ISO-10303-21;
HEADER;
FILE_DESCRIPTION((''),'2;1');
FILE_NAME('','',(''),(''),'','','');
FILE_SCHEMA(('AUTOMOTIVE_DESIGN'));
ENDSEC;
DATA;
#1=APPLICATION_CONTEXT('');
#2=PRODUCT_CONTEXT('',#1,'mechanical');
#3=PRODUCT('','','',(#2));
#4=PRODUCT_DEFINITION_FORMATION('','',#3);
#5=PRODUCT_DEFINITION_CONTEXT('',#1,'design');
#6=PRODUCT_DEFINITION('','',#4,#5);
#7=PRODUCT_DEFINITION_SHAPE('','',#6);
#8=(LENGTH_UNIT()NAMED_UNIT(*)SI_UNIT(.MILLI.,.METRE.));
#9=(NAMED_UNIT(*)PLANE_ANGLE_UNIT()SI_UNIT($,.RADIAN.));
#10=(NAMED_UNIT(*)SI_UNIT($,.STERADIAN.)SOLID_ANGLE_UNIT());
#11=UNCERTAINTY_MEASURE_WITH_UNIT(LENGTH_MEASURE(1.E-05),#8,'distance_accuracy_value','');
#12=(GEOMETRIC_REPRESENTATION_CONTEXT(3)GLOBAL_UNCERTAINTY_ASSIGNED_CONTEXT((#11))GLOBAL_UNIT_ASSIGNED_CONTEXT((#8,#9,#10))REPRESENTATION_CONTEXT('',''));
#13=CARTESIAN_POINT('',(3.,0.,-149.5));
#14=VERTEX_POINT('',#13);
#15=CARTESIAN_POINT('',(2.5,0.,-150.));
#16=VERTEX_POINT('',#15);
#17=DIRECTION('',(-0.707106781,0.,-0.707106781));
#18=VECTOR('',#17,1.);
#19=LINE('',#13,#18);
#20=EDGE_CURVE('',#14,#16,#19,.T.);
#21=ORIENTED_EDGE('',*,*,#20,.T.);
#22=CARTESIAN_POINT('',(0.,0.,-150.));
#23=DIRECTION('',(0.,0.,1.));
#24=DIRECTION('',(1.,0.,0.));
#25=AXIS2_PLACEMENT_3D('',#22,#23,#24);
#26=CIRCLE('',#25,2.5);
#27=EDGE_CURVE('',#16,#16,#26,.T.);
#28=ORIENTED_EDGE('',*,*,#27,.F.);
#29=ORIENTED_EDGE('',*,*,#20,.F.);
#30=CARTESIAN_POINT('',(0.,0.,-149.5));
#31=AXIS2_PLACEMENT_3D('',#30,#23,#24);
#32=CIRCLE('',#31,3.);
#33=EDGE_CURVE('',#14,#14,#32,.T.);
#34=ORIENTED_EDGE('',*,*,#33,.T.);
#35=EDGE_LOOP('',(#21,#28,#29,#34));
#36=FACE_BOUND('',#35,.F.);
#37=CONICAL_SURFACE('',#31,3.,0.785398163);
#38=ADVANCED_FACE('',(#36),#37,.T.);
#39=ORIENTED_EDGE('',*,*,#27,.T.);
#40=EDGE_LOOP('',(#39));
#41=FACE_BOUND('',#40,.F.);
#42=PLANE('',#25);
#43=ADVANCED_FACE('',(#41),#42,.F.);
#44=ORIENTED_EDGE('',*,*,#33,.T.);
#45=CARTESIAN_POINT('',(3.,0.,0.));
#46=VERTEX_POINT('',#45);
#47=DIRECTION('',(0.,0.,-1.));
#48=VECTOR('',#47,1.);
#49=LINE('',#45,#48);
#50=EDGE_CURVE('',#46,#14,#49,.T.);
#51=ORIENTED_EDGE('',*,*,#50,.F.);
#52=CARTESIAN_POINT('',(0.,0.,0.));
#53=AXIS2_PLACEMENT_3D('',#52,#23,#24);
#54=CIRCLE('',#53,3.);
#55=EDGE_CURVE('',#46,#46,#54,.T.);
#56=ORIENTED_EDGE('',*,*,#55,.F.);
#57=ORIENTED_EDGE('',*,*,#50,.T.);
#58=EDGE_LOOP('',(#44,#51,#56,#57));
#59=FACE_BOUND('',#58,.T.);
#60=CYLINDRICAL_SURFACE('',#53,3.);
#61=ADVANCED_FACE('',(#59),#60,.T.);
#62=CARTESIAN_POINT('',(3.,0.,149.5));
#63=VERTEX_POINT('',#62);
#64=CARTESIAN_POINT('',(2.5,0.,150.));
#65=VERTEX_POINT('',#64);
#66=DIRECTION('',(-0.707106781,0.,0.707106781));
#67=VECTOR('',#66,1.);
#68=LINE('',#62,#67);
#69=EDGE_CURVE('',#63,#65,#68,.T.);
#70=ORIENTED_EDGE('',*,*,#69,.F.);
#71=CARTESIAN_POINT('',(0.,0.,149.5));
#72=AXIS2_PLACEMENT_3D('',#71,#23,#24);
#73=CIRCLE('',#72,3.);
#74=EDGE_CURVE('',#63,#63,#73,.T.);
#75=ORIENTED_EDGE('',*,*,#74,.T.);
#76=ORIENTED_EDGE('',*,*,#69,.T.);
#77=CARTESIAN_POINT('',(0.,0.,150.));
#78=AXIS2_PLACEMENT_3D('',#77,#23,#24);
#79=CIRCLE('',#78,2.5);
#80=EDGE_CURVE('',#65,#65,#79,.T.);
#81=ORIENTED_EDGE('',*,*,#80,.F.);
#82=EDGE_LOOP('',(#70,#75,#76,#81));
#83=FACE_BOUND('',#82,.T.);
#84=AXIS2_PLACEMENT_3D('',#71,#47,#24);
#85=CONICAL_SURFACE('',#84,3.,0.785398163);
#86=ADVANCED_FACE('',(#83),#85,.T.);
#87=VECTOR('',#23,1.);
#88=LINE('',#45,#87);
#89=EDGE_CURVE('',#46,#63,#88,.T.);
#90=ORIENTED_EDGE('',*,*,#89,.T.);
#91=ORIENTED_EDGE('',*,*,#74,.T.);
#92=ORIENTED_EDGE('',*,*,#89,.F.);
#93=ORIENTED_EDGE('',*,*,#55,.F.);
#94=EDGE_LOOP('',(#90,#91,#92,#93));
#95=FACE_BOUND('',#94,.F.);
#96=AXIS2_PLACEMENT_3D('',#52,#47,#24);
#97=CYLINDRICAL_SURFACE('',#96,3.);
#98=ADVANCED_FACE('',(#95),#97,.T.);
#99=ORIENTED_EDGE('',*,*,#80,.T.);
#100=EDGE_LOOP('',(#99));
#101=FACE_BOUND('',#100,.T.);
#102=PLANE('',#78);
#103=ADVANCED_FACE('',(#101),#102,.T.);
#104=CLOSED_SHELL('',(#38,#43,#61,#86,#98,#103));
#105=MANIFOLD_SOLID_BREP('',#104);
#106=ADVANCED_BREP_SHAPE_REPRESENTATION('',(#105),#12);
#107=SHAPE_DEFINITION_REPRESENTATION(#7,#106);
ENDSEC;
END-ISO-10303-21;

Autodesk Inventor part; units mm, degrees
ref_plane "YZ Plane" through (0, 0, 0) normal (1, 0, 0) x (0, 1, 0)
ref_plane "XZ Plane" through (0, 0, 0) normal (0, 1, 0) x (-1, 0, 0)
ref_plane "XY Plane" through (0, 0, 0) normal (0, 0, 1) x (1, 0, 0)
sketch "スケッチ1" plane through (0, 0, 0) normal (0, 0, 1) x (1, 0, 0)
  circle A0 centre (0, 0) radius 3
  dimension "d0" = 6
extrude "押し出し1" add sketch "スケッチ1" along normal mid plane 300
chamfer "面取り1" distance 0.5 angle 45 2 edges at (-3, 0, 150) (-3, 0, -150)
properties part number "s_shaft" material "鋼、炭素鋼"
